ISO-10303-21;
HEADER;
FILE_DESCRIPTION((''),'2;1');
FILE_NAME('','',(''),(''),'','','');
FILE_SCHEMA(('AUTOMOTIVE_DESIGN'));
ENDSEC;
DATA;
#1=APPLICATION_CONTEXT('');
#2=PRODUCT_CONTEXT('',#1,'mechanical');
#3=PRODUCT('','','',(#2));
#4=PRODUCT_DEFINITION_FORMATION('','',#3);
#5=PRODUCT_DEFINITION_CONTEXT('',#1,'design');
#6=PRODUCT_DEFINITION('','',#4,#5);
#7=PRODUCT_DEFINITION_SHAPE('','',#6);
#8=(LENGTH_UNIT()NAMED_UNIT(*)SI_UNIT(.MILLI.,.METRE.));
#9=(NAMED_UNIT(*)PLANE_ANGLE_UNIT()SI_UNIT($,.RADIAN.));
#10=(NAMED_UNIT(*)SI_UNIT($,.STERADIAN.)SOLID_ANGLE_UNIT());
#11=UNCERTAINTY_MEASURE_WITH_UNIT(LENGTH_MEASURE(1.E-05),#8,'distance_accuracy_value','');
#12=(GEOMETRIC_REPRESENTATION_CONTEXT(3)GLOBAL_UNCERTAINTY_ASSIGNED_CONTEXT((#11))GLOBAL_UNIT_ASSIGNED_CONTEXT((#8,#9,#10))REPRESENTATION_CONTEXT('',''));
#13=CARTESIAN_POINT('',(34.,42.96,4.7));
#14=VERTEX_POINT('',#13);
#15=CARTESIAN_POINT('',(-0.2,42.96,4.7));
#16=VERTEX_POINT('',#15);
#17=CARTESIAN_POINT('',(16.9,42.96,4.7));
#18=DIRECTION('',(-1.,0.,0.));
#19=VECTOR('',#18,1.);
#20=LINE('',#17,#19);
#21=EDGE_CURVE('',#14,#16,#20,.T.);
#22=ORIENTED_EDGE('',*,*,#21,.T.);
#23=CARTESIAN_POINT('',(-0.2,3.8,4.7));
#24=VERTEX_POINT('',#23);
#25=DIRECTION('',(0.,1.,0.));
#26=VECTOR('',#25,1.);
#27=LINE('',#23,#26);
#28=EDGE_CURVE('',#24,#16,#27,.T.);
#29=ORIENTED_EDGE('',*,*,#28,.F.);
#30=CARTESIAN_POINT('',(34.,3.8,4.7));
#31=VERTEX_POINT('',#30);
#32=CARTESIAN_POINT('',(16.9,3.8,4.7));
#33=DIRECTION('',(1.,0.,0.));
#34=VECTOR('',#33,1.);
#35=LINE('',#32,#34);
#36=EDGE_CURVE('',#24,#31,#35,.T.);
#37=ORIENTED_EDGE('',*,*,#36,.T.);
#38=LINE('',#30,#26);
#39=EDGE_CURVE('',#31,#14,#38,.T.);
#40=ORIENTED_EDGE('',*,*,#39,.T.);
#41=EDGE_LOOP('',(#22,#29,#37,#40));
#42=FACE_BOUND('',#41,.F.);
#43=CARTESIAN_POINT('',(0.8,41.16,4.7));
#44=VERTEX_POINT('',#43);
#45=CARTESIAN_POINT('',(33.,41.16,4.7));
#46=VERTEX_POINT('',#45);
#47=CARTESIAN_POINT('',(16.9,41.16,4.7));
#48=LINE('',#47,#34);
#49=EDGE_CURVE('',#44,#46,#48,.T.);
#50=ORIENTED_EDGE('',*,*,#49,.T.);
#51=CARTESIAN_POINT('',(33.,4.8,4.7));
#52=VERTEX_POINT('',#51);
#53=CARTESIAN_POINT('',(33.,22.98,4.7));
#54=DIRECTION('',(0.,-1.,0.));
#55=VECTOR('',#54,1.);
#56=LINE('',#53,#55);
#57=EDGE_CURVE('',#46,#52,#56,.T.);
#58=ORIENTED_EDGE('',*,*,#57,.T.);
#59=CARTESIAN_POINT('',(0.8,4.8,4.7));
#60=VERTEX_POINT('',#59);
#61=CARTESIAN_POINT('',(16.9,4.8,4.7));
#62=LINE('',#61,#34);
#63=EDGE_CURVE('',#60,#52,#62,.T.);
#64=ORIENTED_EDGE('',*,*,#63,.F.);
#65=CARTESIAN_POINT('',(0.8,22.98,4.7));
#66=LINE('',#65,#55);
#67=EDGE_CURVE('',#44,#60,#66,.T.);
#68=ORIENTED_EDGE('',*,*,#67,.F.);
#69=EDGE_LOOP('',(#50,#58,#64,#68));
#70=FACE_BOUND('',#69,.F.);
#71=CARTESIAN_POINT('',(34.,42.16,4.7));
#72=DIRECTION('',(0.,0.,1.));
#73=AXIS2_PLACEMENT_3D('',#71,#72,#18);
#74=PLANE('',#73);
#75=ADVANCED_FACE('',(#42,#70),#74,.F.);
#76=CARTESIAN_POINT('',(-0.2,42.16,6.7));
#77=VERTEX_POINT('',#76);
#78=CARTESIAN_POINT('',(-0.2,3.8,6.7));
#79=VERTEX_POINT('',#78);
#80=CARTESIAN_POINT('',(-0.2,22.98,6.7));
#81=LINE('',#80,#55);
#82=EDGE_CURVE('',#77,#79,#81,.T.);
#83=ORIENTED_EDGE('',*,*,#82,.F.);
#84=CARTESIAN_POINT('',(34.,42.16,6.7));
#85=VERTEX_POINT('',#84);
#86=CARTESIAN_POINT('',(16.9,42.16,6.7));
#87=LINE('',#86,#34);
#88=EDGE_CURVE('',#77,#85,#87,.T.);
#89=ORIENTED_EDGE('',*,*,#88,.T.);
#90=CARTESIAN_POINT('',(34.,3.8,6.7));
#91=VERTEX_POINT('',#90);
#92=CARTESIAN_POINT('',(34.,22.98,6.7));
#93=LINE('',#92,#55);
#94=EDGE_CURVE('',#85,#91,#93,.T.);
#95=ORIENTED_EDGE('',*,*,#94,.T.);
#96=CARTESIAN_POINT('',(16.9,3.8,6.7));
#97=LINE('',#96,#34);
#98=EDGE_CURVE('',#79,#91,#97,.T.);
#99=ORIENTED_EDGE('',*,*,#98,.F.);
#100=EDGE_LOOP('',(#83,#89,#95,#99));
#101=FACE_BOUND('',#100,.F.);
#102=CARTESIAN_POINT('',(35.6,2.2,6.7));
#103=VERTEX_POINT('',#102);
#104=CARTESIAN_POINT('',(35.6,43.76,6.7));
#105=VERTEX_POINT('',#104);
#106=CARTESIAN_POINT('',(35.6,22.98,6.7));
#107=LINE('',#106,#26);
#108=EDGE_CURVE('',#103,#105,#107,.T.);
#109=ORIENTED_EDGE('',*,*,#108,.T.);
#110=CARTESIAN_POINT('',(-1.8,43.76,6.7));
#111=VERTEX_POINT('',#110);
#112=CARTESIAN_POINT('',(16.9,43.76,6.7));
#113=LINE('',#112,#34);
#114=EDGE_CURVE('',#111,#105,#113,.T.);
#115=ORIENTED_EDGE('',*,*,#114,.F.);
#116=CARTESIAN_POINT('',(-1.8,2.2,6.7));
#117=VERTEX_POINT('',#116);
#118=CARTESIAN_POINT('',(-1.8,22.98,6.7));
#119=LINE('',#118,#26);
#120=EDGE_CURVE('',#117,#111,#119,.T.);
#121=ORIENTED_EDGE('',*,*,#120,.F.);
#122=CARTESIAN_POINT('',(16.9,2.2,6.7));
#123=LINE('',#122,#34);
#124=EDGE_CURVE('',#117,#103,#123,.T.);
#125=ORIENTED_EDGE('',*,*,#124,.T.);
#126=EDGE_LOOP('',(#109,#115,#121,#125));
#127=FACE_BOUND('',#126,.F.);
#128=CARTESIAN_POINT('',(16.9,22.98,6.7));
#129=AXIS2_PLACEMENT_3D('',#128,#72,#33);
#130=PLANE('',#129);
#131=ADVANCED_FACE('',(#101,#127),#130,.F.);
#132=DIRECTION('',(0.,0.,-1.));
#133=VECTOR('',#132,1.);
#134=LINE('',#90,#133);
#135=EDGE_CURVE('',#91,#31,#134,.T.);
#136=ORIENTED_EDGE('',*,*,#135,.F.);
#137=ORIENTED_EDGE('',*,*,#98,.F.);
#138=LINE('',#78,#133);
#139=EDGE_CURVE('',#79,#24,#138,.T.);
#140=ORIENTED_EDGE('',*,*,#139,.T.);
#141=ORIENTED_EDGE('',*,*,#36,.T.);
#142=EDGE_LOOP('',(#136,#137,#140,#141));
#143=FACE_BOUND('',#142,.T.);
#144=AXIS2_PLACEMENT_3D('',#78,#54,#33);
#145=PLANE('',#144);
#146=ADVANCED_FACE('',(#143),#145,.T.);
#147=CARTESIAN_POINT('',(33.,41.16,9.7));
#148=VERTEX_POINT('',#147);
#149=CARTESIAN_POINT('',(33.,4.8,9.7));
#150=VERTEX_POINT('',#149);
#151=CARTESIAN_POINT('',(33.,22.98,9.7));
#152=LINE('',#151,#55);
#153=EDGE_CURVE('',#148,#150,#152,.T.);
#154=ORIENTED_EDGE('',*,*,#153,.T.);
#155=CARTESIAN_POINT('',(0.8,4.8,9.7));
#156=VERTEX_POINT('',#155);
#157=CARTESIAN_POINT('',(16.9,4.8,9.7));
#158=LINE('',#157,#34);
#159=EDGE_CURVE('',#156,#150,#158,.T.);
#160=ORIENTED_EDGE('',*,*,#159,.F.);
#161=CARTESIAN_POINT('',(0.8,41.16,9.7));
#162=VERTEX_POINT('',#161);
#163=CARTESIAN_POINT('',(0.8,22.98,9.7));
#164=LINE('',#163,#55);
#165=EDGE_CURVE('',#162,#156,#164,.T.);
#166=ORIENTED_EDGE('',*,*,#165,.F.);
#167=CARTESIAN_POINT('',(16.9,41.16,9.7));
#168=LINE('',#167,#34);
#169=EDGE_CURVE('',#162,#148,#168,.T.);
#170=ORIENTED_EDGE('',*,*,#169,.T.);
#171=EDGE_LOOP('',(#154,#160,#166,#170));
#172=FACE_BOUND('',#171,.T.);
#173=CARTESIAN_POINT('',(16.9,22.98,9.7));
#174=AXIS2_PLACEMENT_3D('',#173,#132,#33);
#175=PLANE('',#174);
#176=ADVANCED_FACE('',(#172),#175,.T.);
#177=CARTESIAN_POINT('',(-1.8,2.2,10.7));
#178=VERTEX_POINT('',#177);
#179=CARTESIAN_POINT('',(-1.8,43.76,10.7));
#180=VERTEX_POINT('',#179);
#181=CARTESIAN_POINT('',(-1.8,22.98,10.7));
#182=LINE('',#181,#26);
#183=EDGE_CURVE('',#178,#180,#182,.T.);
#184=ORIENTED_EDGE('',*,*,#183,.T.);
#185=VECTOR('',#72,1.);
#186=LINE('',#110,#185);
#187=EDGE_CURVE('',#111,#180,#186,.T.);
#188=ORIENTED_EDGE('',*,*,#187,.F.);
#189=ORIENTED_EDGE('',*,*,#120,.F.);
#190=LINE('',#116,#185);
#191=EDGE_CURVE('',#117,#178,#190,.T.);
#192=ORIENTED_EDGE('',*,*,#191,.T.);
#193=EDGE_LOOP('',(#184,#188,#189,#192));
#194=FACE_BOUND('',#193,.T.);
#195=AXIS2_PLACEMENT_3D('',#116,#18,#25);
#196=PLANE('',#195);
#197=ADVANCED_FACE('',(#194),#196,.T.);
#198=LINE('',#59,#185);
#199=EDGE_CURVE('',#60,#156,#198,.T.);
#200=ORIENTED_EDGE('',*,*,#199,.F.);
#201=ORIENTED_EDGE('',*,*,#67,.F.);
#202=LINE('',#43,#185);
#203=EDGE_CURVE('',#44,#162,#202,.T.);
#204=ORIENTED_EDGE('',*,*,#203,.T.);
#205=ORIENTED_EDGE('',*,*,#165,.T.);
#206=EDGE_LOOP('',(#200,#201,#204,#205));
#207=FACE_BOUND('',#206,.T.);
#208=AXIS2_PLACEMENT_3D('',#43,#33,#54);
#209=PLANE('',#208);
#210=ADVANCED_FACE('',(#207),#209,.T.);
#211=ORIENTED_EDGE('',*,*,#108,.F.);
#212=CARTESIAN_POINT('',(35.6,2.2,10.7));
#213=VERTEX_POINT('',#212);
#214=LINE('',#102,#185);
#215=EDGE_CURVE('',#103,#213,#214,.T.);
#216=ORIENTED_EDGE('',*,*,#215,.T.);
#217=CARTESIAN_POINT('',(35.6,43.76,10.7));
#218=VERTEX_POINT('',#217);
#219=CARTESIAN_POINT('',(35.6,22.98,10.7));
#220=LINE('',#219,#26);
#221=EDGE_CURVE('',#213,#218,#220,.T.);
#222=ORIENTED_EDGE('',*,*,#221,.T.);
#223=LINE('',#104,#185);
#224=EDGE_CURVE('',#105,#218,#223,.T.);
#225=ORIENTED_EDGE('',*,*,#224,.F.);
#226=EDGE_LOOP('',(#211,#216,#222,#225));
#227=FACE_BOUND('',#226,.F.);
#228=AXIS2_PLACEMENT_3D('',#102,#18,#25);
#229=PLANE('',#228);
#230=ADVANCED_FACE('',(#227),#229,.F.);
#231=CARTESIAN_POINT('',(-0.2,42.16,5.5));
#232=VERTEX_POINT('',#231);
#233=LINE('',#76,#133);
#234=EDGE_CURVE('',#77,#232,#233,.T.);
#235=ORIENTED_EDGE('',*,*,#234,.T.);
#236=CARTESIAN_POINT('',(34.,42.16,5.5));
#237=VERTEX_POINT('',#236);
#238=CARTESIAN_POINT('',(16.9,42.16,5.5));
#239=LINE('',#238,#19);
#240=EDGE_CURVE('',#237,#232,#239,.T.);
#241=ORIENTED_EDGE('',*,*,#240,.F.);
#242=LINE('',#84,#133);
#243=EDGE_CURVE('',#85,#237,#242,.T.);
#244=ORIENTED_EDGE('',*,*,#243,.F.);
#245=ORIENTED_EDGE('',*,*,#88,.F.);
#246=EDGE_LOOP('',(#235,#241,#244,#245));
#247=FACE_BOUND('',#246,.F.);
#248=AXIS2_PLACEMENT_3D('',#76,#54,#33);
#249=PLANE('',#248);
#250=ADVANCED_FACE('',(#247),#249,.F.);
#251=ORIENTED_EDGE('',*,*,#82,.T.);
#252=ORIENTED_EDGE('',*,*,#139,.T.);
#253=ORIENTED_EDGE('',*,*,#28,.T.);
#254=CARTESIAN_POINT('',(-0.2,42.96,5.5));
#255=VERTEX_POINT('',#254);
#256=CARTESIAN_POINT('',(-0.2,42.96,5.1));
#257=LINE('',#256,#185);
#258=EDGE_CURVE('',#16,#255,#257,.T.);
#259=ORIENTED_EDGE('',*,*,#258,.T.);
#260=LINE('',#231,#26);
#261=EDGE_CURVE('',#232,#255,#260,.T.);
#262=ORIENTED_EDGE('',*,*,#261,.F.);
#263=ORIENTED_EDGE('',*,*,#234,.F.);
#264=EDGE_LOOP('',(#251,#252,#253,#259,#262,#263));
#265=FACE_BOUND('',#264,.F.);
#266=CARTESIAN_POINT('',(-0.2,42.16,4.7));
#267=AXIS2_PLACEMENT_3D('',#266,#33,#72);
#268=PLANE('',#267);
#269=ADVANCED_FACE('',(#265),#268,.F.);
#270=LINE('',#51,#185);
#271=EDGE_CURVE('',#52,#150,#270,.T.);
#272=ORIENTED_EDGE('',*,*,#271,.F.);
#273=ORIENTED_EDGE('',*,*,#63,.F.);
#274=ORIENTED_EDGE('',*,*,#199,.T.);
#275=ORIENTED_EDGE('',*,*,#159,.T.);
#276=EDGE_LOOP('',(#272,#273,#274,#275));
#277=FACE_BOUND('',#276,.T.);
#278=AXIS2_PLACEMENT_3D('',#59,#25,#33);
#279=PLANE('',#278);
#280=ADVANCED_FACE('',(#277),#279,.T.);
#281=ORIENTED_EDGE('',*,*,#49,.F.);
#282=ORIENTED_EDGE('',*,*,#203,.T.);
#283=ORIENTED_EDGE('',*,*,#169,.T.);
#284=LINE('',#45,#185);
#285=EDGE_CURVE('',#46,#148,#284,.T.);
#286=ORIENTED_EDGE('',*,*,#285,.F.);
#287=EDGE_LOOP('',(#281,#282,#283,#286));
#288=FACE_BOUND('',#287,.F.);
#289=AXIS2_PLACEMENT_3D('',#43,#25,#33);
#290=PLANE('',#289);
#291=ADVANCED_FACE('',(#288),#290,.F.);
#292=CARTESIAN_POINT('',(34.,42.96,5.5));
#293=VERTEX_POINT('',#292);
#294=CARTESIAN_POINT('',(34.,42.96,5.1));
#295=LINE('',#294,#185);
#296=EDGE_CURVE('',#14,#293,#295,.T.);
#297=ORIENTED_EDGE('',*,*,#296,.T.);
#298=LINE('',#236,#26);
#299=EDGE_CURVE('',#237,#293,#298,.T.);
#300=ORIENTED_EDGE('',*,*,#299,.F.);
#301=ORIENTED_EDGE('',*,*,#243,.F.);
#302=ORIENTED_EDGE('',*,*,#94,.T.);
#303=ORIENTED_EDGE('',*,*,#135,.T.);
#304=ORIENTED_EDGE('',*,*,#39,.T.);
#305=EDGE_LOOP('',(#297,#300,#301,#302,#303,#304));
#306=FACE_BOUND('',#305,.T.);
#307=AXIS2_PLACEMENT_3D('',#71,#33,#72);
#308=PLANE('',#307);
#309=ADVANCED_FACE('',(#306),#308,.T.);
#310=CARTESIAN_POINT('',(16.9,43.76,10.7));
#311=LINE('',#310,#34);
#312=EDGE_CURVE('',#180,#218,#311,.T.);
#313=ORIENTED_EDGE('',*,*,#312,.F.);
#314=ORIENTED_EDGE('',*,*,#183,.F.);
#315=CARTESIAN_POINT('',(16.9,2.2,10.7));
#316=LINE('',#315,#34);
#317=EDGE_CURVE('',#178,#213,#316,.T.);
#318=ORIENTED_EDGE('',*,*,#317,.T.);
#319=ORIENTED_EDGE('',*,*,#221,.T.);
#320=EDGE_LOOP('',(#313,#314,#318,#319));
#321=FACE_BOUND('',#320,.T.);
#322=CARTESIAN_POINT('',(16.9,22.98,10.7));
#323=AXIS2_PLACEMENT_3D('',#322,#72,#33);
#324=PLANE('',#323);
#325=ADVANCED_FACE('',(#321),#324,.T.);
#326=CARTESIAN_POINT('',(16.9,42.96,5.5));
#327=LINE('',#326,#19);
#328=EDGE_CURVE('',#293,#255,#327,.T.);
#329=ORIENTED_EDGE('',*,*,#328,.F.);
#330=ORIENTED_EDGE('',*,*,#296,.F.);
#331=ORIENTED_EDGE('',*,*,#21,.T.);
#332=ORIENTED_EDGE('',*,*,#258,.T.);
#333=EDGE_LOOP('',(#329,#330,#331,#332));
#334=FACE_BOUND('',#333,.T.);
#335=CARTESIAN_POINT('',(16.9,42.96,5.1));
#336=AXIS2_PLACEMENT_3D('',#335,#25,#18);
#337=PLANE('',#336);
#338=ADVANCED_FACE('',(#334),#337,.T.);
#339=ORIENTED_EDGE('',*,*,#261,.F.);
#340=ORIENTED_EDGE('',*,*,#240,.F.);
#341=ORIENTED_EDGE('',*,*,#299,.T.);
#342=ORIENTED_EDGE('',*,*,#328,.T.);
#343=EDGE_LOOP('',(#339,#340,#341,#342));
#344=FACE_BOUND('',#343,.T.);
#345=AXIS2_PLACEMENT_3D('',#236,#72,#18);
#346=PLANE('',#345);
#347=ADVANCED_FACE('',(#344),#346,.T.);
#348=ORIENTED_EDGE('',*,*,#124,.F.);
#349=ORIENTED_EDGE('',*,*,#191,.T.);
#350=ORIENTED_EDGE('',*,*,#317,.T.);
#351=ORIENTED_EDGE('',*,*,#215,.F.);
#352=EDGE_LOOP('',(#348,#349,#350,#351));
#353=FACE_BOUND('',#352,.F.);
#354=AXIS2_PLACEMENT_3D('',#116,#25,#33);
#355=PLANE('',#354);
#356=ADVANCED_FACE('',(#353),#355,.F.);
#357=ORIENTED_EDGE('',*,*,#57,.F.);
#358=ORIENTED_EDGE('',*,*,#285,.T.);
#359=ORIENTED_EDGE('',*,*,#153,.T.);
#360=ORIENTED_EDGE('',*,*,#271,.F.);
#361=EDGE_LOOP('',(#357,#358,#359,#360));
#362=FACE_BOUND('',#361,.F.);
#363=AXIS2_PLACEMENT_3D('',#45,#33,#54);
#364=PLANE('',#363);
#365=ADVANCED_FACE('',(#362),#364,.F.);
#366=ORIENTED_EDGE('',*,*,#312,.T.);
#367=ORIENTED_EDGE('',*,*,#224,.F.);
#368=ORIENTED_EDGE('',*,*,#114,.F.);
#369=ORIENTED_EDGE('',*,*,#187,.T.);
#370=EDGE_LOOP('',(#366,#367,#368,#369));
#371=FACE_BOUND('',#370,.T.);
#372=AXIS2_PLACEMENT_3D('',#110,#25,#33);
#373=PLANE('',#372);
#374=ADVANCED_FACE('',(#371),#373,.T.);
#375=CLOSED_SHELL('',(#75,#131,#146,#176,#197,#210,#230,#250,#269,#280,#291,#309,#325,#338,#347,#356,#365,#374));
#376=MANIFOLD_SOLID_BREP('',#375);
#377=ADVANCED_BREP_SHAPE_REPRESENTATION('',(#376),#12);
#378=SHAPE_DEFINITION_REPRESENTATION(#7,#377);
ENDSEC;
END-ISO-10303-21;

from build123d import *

# Parameters (mm, degrees)
SKETCH043_W     = 37.4
SKETCH043_H     = 41.56
PAD028_DEPTH    = 4
SKETCH044_W     = 34.2
SKETCH044_H     = 38.36
PAD029_DEPTH    = 2
SKETCH045_W     = 32.2
SKETCH045_H     = 36.36
POCKET024_DEPTH = 5
SKETCH046_W     = 34.2
SKETCH046_H     = 0.8
PAD030_DEPTH    = 0.8


with BuildPart() as part:
    # Sketch043 (on DatumPlane) → Pad028 (new body)
    with BuildSketch(Plane.XY.offset(6.7)):
        with Locations((16.9, 22.98)):
            Rectangle(SKETCH043_W, SKETCH043_H)
    extrude(amount=PAD028_DEPTH)

    # Sketch044 (on Face5 of Pad028) → Pad029 (join)
    with BuildSketch(Plane(origin=(0, 0, 6.7), x_dir=(1, 0, 0), z_dir=(0, 0, -1))):
        with Locations((16.9, -22.98)):
            Rectangle(SKETCH044_W, SKETCH044_H)
    extrude(amount=PAD029_DEPTH)

    # Sketch045 (on Face11 of Pad029) → Pocket024 (cut)
    with BuildSketch(Plane(origin=(0, 0, 4.7), x_dir=(1, 0, 0), z_dir=(0, 0, -1))):
        with Locations((16.9, -22.98)):
            Rectangle(SKETCH045_W, SKETCH045_H)
    extrude(amount=-POCKET024_DEPTH, mode=Mode.SUBTRACT)

    # Sketch046 (on Face9 of Pocket024) → Pad030 (join)
    with BuildSketch(Plane(origin=(0, 42.16, 6.7), x_dir=(-1, 0, 0), z_dir=(0, 1, 0))):
        with Locations((-16.9, -1.6)):
            Rectangle(SKETCH046_W, SKETCH046_H)
    extrude(amount=PAD030_DEPTH)


solid = part.part
